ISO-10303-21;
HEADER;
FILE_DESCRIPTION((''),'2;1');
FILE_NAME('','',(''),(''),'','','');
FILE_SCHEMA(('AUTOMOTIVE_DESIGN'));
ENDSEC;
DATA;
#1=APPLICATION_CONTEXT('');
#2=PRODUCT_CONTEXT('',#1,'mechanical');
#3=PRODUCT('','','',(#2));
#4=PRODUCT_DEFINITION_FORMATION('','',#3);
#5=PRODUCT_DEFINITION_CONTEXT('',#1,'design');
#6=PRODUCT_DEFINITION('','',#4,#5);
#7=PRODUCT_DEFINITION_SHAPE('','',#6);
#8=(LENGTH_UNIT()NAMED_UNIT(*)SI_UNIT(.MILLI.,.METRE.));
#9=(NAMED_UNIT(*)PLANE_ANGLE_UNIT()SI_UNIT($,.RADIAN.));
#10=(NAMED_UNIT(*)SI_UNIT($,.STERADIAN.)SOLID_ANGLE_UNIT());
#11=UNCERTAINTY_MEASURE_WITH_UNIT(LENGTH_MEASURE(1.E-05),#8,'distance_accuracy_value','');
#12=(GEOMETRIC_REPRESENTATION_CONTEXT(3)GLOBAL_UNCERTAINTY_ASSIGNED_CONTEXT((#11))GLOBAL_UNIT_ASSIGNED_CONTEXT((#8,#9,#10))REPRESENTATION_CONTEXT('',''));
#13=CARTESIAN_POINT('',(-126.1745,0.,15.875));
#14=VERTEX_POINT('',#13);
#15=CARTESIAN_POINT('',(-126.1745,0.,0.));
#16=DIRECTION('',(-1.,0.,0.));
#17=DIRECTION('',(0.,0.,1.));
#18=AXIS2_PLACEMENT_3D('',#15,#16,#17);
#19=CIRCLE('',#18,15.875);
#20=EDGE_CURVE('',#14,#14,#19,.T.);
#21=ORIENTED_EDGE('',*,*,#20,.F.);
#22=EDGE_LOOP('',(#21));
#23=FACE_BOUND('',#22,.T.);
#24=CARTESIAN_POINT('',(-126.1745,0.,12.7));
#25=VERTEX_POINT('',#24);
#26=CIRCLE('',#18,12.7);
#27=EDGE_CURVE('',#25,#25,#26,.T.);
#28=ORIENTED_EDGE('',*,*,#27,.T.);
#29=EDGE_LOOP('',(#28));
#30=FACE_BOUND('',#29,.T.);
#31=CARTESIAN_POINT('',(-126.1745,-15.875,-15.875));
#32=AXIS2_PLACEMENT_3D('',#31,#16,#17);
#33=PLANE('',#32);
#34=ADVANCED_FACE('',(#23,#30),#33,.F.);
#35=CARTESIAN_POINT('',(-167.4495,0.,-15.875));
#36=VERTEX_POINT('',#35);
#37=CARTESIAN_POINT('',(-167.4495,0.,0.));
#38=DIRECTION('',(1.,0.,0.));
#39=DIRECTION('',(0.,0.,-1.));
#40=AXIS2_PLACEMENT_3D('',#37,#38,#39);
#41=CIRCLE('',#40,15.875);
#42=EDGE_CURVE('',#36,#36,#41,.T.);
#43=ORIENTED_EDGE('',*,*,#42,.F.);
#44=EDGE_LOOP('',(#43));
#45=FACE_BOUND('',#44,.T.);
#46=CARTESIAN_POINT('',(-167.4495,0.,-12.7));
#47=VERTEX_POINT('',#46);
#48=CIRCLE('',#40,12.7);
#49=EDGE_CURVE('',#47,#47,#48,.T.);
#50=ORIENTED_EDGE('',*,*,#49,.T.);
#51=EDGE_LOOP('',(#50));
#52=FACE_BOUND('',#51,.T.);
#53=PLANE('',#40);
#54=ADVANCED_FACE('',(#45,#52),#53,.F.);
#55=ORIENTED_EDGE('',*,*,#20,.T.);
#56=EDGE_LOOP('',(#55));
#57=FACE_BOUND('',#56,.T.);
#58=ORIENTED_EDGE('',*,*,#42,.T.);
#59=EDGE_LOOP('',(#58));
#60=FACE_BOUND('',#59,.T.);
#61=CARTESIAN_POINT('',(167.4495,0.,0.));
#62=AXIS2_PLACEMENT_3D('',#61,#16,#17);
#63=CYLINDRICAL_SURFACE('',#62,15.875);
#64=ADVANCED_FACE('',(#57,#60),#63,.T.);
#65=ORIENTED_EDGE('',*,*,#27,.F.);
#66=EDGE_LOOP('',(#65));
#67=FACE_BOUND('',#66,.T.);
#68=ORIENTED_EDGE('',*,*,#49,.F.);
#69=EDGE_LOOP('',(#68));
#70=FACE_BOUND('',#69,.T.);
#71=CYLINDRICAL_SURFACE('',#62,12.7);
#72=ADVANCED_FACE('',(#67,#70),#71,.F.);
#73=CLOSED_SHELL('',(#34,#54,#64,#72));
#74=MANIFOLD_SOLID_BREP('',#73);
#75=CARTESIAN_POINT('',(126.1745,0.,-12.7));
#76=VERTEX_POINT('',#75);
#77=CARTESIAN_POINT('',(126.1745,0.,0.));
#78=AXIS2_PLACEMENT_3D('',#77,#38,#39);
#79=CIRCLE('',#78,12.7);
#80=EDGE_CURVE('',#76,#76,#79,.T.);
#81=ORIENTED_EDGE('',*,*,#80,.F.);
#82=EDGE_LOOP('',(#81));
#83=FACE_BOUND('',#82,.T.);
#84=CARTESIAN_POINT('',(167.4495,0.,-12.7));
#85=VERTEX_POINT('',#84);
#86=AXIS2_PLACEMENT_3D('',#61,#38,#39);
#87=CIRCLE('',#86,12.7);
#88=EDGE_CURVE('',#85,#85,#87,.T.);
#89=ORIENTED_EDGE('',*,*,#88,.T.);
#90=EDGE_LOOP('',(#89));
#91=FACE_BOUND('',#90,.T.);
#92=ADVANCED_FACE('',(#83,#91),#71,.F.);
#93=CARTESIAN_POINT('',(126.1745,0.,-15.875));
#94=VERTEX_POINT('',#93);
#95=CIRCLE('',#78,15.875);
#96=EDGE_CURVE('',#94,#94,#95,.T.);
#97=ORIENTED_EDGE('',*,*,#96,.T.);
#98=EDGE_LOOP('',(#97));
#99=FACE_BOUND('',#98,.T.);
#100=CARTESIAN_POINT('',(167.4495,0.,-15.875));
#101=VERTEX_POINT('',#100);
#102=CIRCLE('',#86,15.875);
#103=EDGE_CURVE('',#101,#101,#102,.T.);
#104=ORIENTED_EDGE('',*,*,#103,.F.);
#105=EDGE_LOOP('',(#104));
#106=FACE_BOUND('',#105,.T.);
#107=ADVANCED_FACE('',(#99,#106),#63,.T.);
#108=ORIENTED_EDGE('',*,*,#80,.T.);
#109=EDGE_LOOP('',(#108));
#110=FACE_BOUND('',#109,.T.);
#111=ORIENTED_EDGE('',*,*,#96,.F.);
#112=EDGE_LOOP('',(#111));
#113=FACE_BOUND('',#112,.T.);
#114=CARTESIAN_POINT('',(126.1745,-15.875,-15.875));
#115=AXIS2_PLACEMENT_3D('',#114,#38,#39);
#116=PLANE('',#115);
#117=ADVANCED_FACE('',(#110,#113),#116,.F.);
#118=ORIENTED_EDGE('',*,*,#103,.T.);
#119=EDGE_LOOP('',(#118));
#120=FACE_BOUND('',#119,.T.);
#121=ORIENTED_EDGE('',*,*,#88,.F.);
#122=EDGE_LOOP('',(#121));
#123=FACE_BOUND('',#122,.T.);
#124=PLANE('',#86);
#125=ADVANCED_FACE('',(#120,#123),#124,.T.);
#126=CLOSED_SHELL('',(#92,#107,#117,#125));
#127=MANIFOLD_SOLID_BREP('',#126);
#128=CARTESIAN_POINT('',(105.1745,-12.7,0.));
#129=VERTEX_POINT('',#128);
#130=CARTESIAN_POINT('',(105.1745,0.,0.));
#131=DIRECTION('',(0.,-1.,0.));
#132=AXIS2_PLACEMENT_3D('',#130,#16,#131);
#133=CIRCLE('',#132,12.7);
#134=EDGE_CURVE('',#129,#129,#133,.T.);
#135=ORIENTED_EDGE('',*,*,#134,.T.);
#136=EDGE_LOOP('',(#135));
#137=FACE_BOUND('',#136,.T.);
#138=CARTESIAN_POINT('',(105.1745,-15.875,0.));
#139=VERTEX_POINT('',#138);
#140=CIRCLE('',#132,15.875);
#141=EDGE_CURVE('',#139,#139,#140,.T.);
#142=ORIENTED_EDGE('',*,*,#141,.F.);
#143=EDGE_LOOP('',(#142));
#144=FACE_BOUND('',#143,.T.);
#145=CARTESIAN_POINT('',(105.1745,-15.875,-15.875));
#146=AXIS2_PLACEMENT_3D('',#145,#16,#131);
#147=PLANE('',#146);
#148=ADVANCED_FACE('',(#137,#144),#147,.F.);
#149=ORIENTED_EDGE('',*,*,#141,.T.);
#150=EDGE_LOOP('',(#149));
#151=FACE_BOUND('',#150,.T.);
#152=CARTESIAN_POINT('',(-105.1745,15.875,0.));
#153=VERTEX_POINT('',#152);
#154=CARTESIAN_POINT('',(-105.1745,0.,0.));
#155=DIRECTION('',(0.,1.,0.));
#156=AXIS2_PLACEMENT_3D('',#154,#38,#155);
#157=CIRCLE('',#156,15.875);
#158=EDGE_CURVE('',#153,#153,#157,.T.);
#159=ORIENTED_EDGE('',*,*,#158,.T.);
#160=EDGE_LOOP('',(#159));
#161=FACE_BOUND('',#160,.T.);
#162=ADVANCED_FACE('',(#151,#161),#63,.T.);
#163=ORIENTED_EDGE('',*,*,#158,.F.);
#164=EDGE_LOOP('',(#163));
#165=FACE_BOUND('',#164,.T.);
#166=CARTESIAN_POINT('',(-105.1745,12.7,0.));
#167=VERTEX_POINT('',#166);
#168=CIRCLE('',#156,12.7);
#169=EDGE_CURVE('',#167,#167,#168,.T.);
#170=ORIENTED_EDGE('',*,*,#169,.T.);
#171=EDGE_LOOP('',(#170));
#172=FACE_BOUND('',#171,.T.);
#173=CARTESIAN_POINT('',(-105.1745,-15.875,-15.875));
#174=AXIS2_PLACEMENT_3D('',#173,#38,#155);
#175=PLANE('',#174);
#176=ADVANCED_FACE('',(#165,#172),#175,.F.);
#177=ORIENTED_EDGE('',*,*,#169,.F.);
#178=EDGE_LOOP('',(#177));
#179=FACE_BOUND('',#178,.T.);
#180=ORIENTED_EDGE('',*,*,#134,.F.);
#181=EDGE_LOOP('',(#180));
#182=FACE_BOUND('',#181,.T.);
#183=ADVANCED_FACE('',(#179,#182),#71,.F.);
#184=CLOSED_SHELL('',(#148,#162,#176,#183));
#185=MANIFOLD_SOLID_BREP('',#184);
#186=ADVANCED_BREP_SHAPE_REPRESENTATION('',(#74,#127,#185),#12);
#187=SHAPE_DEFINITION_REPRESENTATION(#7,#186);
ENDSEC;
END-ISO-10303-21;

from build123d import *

# Parameters (mm, degrees)
SKETCH1_R               = 15.875
SKETCH1_R_2             = 12.7
EXTRUDE_THIN1_DEPTH     = 167.4495
CUT_EXTRUDE1_DEPTH      = 169.947821236
CUT_EXTRUDE1_DEPTH_BACK = 169.947821236
SKETCH2_W               = 20.99999991
SKETCH2_H               = 31.75


with BuildPart() as part:
    # Sketch1 → Extrude-Thin1 (new, symmetric)
    with BuildSketch(Plane(origin=(0, 0, 0), x_dir=(0, 0, -1), z_dir=(1, 0, 0))):
        Circle(SKETCH1_R)
        Circle(SKETCH1_R_2, mode=Mode.SUBTRACT)
    extrude(amount=EXTRUDE_THIN1_DEPTH, both=True)

    # Sketch2 → Cut-Extrude1 (cut, two sides: drawn at the far end of the back side and taken through both)
    with BuildSketch(Plane.XY.offset(-CUT_EXTRUDE1_DEPTH_BACK)):
        with Locations((115.674500045, 0)):
            Rectangle(SKETCH2_W, SKETCH2_H)
        with Locations((-115.674500045, 0)):
            Rectangle(SKETCH2_W, SKETCH2_H)
    extrude(amount=CUT_EXTRUDE1_DEPTH + CUT_EXTRUDE1_DEPTH_BACK, mode=Mode.SUBTRACT)


with BuildPart() as cut_extrude1_piece_1:
    # of the separate pieces the step leaves, piece 1, a body of its own (cut_extrude1_pieces)
    add(part.part.solids().sort_by_distance((-105.17450009, 0, -15.875))[0])


with BuildPart() as cut_extrude1_piece_2:
    # of the separate pieces the step leaves, piece 2, a body of its own (cut_extrude1_pieces)
    add(part.part.solids().sort_by_distance((-167.4495, 0, -15.875))[0])


with BuildPart() as cut_extrude1_piece_3:
    # of the separate pieces the step leaves, piece 3, a body of its own (cut_extrude1_pieces)
    add(part.part.solids().sort_by_distance((126.1745, 0, -15.875))[0])


solid = Compound([cut_extrude1_piece_1.part, cut_extrude1_piece_2.part, cut_extrude1_piece_3.part])
